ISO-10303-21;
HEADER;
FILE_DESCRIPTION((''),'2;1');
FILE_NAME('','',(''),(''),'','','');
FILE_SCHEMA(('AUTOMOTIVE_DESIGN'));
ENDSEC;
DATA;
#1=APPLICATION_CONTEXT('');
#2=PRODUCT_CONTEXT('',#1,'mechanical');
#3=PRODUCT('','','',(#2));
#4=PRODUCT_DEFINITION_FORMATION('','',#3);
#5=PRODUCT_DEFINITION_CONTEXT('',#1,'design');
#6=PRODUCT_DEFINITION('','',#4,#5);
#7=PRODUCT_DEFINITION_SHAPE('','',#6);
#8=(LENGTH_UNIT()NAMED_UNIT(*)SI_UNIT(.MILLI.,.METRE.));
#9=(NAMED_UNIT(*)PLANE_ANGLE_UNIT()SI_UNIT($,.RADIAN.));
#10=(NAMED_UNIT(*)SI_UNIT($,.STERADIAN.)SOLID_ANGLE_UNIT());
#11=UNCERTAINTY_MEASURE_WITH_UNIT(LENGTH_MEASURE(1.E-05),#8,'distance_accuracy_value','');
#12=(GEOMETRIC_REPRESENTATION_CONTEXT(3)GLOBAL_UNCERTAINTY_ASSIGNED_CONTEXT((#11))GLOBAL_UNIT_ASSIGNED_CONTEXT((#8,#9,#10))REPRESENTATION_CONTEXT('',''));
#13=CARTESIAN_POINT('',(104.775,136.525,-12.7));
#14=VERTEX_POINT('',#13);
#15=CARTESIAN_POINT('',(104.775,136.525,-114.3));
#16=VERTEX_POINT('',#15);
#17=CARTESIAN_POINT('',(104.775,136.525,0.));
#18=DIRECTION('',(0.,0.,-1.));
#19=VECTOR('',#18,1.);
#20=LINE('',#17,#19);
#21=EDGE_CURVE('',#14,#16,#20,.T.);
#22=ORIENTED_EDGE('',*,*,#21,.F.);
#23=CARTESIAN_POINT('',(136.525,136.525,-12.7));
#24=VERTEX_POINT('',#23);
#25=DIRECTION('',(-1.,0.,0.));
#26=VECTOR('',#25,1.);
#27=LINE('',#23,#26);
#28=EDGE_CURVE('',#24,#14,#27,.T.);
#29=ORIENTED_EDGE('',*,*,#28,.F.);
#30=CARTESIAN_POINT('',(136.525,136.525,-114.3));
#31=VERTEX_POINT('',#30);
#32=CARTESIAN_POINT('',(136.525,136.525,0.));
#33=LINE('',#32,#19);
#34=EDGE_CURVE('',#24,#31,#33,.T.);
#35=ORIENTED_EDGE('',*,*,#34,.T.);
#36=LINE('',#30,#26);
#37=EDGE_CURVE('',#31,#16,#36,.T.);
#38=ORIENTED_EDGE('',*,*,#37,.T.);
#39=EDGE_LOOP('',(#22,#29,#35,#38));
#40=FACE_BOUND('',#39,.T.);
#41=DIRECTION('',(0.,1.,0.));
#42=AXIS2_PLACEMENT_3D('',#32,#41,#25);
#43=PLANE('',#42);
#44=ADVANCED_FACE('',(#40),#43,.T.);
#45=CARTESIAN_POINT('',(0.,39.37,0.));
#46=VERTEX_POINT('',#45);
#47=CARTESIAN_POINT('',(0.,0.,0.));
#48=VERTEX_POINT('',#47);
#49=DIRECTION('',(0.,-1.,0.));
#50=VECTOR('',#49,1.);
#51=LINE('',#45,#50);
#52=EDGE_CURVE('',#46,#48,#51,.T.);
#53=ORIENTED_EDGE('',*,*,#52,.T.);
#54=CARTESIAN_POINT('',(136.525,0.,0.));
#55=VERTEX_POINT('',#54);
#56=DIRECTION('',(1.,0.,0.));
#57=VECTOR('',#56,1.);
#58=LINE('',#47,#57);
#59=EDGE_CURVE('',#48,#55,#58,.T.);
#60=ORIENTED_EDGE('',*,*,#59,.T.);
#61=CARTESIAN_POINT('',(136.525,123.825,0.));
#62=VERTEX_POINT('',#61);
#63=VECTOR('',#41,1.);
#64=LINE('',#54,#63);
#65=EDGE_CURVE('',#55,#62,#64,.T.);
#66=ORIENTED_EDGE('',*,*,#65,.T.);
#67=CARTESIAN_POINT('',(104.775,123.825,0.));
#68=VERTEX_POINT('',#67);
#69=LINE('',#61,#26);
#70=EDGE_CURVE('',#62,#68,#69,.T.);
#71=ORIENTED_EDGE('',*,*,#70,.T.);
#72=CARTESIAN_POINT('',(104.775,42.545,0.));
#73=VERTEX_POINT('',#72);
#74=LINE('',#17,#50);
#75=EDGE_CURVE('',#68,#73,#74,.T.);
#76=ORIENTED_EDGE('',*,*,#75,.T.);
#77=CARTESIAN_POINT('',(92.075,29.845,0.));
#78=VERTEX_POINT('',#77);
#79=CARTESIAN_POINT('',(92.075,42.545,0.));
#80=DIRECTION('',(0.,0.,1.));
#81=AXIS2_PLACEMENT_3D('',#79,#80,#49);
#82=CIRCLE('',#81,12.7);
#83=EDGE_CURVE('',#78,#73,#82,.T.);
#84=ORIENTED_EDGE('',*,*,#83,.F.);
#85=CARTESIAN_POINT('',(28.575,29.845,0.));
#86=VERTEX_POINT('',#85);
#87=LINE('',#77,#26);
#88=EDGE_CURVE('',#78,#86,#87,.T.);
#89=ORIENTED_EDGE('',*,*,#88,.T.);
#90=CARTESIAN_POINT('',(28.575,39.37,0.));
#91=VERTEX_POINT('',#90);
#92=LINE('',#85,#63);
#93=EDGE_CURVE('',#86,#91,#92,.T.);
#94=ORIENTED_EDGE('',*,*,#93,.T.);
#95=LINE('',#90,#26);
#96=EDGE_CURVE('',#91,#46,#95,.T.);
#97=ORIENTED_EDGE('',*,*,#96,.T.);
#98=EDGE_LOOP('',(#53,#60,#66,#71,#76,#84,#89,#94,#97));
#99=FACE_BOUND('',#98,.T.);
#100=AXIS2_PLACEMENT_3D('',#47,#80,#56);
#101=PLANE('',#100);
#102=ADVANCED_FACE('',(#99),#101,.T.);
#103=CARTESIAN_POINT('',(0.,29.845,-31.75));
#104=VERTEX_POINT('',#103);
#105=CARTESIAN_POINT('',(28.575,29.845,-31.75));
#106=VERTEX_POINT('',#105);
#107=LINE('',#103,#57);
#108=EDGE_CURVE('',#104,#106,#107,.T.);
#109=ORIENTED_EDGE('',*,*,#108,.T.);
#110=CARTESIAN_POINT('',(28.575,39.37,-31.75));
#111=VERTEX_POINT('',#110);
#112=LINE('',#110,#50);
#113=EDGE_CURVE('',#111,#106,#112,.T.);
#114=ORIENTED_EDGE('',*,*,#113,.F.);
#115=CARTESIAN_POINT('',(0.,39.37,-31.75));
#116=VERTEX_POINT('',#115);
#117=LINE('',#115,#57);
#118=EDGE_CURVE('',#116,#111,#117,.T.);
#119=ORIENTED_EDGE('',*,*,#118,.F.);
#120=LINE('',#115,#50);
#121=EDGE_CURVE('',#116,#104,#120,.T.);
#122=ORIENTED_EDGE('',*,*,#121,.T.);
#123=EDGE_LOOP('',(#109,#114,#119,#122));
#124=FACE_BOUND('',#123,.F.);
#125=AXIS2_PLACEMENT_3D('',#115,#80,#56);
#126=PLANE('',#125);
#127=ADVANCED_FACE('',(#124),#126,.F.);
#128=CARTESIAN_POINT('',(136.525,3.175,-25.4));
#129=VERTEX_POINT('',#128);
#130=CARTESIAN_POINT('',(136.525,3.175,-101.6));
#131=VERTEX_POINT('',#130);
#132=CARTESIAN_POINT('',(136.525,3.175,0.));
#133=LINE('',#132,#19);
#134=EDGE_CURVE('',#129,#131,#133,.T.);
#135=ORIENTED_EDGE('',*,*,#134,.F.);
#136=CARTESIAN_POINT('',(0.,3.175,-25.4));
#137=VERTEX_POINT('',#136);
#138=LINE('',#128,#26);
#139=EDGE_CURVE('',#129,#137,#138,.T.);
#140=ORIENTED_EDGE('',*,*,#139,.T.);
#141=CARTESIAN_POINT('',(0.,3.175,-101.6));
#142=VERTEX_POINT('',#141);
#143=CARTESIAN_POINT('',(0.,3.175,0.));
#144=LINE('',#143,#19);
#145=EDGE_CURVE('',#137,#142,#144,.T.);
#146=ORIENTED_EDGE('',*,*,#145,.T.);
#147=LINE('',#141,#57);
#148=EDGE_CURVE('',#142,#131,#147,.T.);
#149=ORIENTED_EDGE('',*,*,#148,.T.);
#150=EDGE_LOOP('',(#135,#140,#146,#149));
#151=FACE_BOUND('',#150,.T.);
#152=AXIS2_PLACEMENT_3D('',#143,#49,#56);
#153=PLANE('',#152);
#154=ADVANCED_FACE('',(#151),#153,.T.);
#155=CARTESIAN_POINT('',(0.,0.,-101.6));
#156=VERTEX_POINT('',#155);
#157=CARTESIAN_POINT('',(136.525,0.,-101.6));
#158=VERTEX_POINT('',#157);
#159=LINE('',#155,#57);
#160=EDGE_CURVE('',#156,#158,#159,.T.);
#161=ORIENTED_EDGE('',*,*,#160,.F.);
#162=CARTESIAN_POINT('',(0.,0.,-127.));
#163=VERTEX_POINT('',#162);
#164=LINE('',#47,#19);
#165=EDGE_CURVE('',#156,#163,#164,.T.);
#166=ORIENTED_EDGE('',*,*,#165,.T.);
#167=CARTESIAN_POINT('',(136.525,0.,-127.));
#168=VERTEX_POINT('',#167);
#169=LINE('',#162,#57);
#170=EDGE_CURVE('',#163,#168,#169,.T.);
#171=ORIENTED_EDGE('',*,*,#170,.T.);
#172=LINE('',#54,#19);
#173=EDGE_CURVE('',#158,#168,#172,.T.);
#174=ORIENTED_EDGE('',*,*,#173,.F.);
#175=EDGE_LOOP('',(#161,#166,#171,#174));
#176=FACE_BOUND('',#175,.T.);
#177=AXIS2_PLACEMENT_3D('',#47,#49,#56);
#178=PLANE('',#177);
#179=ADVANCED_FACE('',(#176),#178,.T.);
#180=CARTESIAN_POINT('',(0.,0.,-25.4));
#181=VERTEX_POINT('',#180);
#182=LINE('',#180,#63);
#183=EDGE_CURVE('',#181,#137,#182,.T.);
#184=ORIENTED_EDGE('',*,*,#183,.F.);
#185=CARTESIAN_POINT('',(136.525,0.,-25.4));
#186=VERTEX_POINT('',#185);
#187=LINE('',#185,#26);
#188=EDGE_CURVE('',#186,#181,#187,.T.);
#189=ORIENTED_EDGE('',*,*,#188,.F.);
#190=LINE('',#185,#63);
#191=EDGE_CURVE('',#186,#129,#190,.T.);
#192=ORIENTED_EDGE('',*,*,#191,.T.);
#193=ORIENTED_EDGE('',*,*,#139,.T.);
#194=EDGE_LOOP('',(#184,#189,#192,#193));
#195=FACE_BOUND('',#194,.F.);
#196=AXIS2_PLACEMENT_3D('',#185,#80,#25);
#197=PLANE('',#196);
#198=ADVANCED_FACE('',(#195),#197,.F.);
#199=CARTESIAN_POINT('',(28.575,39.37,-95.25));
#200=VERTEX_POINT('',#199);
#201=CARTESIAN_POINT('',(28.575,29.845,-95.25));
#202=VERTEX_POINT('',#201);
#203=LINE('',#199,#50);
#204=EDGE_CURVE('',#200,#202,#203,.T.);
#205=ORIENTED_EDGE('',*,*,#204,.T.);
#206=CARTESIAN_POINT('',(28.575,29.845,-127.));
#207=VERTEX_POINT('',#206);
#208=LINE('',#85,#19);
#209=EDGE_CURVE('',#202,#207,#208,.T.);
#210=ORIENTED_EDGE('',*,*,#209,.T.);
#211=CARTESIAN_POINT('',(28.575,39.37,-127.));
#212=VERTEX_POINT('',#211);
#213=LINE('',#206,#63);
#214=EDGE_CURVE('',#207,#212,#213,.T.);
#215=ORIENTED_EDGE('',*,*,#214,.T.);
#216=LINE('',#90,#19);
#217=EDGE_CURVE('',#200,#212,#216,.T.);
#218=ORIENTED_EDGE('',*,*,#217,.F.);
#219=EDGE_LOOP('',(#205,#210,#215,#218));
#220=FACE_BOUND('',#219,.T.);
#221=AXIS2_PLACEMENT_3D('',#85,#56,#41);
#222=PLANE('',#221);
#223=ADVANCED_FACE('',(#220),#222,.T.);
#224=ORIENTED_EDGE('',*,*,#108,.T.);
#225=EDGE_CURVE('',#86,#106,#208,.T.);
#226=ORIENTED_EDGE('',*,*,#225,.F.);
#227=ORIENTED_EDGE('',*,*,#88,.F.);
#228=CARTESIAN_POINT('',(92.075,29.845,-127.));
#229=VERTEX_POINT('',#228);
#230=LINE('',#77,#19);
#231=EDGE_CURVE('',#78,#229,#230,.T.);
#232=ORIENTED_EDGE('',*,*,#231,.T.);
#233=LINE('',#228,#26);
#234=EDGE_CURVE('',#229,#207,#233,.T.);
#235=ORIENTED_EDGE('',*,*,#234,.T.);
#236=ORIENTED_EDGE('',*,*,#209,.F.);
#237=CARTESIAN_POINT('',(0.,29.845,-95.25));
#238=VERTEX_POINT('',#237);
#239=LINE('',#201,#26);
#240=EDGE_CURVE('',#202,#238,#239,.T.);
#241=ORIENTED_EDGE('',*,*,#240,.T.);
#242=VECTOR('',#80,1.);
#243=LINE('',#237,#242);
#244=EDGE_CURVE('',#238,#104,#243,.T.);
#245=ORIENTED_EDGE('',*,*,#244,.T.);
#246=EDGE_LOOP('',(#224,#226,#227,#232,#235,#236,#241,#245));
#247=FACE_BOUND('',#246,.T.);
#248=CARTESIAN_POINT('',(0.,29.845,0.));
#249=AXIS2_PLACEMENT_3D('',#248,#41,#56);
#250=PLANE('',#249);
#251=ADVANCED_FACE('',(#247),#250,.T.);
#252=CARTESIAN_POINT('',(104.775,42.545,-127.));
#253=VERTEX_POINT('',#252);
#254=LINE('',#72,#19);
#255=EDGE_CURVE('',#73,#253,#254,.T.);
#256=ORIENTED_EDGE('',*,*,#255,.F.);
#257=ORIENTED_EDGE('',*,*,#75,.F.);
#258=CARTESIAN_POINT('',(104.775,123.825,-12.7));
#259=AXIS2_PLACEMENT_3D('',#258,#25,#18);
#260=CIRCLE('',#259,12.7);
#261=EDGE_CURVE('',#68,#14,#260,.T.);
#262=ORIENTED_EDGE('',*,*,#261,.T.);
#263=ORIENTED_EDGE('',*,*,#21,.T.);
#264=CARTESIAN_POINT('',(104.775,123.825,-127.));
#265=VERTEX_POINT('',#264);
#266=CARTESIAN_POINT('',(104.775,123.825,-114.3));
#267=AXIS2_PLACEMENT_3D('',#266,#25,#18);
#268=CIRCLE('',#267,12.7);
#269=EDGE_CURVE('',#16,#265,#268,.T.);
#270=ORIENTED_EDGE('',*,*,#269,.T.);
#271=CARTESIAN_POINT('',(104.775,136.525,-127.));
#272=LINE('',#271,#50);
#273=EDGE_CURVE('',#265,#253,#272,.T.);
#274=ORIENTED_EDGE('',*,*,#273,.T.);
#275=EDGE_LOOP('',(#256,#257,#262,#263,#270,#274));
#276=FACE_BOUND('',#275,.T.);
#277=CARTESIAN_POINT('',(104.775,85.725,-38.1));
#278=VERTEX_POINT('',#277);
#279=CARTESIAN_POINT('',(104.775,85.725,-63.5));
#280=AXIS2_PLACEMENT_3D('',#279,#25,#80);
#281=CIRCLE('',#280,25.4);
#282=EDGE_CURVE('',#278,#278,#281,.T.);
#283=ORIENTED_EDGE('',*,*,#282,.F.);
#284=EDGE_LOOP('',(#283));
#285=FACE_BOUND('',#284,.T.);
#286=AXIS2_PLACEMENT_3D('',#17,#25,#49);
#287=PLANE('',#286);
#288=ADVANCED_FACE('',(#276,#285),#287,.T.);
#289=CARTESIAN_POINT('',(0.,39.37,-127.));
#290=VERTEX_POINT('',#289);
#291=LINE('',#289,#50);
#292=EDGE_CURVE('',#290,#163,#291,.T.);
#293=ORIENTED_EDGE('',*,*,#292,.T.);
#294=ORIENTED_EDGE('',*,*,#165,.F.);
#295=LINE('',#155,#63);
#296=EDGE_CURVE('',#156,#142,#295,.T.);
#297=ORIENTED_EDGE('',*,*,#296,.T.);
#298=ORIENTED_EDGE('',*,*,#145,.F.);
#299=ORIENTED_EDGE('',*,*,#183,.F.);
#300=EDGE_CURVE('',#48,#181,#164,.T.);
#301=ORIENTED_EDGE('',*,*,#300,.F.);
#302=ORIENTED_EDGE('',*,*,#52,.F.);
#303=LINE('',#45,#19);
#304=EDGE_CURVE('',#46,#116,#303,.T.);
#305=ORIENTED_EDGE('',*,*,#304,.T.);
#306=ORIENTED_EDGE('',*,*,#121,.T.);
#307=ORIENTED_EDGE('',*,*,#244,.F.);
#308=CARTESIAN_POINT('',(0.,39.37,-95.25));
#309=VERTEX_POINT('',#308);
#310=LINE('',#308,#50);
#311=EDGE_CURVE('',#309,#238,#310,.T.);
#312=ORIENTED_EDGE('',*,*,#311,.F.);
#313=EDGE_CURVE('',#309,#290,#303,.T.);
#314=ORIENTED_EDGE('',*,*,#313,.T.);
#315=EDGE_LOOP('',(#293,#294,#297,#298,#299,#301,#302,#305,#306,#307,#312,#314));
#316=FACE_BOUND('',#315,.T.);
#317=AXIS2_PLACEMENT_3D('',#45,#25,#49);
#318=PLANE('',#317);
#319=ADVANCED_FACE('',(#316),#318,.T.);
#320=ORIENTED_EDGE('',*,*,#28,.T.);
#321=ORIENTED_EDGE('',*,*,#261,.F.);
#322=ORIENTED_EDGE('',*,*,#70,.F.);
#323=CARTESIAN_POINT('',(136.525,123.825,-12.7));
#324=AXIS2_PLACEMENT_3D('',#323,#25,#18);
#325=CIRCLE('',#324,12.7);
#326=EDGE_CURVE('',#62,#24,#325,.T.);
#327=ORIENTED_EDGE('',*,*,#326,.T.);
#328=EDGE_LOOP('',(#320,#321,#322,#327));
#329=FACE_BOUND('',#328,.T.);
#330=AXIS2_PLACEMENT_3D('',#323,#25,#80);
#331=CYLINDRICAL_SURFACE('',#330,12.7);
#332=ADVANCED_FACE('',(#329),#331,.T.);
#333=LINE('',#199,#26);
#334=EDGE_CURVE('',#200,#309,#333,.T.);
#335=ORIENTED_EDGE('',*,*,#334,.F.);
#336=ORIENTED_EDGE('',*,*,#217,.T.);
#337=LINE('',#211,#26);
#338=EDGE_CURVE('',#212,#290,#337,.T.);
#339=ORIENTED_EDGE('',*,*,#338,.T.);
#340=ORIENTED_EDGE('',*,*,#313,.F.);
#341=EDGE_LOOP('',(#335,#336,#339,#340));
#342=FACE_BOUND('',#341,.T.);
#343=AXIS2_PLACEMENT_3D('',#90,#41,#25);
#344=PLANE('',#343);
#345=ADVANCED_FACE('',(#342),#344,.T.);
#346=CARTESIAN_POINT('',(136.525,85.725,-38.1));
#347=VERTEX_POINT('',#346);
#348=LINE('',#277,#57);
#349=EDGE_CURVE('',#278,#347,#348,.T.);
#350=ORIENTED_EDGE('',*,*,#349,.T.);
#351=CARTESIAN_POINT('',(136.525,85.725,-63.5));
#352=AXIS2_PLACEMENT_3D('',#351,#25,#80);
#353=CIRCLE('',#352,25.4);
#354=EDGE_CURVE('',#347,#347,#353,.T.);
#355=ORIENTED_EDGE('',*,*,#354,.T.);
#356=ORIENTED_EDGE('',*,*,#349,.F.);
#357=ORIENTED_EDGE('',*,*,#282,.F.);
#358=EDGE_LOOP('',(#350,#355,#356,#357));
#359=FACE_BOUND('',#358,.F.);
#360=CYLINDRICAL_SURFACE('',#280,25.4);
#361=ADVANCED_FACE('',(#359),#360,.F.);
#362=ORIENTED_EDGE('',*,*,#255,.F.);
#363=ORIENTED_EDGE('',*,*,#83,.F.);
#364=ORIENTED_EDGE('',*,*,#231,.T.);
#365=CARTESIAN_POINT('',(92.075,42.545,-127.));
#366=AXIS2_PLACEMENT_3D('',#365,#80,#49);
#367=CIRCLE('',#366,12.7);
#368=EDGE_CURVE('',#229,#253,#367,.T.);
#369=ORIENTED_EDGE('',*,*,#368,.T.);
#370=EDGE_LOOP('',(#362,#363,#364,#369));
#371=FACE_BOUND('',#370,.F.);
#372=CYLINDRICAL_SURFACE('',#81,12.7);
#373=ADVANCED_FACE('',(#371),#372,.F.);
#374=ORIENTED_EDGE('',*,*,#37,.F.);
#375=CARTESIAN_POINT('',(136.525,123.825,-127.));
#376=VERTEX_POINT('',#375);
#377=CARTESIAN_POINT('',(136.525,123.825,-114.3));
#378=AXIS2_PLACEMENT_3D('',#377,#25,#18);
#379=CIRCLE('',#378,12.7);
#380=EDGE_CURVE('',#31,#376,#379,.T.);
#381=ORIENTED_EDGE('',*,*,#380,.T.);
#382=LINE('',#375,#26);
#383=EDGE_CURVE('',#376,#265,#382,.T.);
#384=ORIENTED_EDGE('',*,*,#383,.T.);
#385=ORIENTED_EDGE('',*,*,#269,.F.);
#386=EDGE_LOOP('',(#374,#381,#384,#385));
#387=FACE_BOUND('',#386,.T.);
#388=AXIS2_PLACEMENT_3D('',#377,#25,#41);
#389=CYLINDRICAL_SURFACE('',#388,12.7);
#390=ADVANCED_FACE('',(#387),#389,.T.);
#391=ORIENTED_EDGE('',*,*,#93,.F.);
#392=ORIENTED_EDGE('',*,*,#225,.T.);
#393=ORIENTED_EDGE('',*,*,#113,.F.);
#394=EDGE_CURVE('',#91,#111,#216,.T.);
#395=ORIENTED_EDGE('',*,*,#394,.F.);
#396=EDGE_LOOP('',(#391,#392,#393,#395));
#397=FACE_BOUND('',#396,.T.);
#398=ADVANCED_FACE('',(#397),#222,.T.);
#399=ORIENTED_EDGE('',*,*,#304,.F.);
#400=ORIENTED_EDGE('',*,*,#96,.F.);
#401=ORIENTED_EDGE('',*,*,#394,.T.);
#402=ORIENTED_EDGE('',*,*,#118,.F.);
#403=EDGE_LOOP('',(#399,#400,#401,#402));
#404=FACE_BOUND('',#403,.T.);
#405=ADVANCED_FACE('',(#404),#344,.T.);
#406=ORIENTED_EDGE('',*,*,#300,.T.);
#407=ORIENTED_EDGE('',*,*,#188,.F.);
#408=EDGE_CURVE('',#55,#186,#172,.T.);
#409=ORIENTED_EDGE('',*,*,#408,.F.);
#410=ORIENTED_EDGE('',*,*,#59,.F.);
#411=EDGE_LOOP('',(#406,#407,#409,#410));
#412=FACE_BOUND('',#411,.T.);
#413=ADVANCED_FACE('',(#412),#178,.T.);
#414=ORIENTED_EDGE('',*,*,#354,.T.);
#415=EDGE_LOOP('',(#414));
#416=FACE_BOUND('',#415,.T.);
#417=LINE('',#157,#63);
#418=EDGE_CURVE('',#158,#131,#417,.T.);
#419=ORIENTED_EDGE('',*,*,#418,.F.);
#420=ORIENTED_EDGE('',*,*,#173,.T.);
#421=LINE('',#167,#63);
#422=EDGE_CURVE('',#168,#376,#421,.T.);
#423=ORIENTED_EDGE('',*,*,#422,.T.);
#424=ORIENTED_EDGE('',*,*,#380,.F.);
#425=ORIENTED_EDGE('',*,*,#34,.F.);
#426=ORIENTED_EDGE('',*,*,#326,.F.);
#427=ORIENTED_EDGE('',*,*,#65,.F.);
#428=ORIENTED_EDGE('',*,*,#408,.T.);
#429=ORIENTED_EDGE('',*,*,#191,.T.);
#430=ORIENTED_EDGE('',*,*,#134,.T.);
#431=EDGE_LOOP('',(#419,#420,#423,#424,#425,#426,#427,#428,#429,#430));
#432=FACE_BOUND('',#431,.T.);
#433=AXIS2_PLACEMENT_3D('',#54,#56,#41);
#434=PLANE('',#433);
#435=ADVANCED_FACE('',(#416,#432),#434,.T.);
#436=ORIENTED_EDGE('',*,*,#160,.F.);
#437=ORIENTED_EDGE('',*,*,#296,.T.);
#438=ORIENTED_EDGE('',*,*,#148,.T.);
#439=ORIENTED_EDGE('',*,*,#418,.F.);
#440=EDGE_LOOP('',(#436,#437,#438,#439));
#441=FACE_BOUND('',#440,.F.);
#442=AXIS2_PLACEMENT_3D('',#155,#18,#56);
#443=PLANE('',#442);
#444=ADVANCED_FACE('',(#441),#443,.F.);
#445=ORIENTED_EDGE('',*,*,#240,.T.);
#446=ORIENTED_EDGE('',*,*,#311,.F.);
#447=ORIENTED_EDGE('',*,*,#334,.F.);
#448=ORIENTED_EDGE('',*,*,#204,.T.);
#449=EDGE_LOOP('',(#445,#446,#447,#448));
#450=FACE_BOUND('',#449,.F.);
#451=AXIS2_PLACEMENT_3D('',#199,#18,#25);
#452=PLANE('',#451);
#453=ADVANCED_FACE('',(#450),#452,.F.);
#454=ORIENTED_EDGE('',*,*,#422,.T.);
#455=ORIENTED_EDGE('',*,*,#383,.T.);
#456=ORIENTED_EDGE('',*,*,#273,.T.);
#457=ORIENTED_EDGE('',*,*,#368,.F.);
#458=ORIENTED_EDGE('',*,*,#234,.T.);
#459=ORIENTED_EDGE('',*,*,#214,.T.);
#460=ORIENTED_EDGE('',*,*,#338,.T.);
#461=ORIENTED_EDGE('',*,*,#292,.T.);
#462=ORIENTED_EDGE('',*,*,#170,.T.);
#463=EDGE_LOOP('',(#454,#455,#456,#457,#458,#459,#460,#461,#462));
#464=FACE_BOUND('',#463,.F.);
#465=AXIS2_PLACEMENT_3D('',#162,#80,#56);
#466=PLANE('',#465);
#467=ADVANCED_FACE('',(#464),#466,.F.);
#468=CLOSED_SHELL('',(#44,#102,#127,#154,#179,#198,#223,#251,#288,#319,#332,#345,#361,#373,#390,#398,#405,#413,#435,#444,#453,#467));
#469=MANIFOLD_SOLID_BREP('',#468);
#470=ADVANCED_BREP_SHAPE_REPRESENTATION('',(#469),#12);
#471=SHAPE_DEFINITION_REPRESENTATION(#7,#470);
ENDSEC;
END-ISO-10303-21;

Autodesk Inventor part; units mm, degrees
ref_plane "YZ Plane" through (0, 0, 0) normal (1, 0, 0) x (0, 1, 0)
ref_plane "XZ Plane" through (0, 0, 0) normal (0, 1, 0) x (-1, 0, 0)
ref_plane "XY Plane" through (0, 0, 0) normal (0, 0, 1) x (1, 0, 0)
sketch "Sketch1" plane through (0, 0, 0) normal (0, 0, 1) x (1, 0, 0)
  line L0 (0, 0) -> (136.525, 0)
  line L1 (136.525, 0) -> (136.525, 136.525)
  line L2 (136.525, 136.525) -> (104.775, 136.525)
  line L3 (104.775, 136.525) -> (104.775, 42.545)
  line L4 (92.075, 29.845) -> (28.575, 29.845)
  line L5 (28.575, 29.845) -> (28.575, 39.37)
  line L6 (28.575, 39.37) -> (0, 39.37)
  line L7 (0, 39.37) -> (0, 0)
  arc A0 (92.075, 29.845) -> (104.775, 42.545) centre (92.075, 42.545) ccw
  point P0 (104.775, 29.845)
  dimension "d0" = 136.525
  dimension "d1" = 136.525
  dimension "d2" = 31.75
  dimension "d3" = 9.525
  dimension "d4" = 39.37
  dimension "d5" = 76.2
  dimension "d17" = 12.7
extrude "Extrusion1" add sketch "Sketch1" against normal blind 127
sketch "Sketch2" plane through (0, 39.37, 0) normal (0, 1, 0) x (1, 0, 0)
  line L0 (28.575, 0) -> (28.575, 127) projected
  line L1 (28.575, 95.25) -> (0, 95.25)
  line L2 (0, 95.25) -> (0, 31.75)
  line L3 (0, 0) -> (0, 127) projected
  line L4 (0, 31.75) -> (28.575, 31.75)
  line L5 (0, 127) -> (28.575, 127) projected
  dimension "d9" = 63.5
  dimension "d10" = 31.75
extrude "Extrusion2" cut sketch "Sketch2" against normal blind 9.525 contours L4 L2 L1 L0
sketch "Sketch3" plane through (0, 0, 0) normal (0, -1, 0) x (1, 0, 0)
  line L0 (0, 0) -> (0, -127) projected
  line L1 (0, -101.6) -> (136.525, -101.6)
  line L2 (136.525, 0) -> (136.525, -127) projected
  line L3 (136.525, -25.4) -> (0, -25.4)
  line L4 (0, 0) -> (136.525, 0) projected
  dimension "d13" = 76.2
  dimension "d14" = 25.4
extrude "Extrusion3" cut sketch "Sketch3" against normal blind 3.175 contours L3 L2 L1 L0
sketch "Sketch4" plane through (104.775, 29.845, 0) normal (-1, 0, 0) x (0, 0, 1)
  point P0 (0, -29.845)
sketch "Sketch5" plane through (104.775, 42.545, 0) normal (-1, 0, 0) x (0, 0, 1)
  circle A0 centre (-63.5, 43.18) radius 25.4
  line L0 (-127, 0) -> (-127, 93.98) projected
  line L1 (0, 93.98) -> (-127, 93.98) projected
  point P0 (0, -42.545)
  dimension "d18" = 50.8
  dimension "d19" = 63.5
  dimension "d20" = 50.8
extrude "Extrusion4" cut sketch "Sketch5" against normal through all
sketch "Sketch6" plane through (104.775, 42.545, 0) normal (-1, 0, 0) x (0, 0, 1)
  point P0 (0, -42.545)
sketch "Sketch7" plane through (104.775, 42.545, 0) normal (-1, 0, 0) x (0, 0, 1)
  point P0 (0, -42.545)
fillet "Fillet1" radius 12.7 1 edges at (120.65, 136.525, 0)
fillet "Fillet2" radius 12.7 1 edges at (120.65, 136.525, -127)
properties part number "HW 4 Part 2"
